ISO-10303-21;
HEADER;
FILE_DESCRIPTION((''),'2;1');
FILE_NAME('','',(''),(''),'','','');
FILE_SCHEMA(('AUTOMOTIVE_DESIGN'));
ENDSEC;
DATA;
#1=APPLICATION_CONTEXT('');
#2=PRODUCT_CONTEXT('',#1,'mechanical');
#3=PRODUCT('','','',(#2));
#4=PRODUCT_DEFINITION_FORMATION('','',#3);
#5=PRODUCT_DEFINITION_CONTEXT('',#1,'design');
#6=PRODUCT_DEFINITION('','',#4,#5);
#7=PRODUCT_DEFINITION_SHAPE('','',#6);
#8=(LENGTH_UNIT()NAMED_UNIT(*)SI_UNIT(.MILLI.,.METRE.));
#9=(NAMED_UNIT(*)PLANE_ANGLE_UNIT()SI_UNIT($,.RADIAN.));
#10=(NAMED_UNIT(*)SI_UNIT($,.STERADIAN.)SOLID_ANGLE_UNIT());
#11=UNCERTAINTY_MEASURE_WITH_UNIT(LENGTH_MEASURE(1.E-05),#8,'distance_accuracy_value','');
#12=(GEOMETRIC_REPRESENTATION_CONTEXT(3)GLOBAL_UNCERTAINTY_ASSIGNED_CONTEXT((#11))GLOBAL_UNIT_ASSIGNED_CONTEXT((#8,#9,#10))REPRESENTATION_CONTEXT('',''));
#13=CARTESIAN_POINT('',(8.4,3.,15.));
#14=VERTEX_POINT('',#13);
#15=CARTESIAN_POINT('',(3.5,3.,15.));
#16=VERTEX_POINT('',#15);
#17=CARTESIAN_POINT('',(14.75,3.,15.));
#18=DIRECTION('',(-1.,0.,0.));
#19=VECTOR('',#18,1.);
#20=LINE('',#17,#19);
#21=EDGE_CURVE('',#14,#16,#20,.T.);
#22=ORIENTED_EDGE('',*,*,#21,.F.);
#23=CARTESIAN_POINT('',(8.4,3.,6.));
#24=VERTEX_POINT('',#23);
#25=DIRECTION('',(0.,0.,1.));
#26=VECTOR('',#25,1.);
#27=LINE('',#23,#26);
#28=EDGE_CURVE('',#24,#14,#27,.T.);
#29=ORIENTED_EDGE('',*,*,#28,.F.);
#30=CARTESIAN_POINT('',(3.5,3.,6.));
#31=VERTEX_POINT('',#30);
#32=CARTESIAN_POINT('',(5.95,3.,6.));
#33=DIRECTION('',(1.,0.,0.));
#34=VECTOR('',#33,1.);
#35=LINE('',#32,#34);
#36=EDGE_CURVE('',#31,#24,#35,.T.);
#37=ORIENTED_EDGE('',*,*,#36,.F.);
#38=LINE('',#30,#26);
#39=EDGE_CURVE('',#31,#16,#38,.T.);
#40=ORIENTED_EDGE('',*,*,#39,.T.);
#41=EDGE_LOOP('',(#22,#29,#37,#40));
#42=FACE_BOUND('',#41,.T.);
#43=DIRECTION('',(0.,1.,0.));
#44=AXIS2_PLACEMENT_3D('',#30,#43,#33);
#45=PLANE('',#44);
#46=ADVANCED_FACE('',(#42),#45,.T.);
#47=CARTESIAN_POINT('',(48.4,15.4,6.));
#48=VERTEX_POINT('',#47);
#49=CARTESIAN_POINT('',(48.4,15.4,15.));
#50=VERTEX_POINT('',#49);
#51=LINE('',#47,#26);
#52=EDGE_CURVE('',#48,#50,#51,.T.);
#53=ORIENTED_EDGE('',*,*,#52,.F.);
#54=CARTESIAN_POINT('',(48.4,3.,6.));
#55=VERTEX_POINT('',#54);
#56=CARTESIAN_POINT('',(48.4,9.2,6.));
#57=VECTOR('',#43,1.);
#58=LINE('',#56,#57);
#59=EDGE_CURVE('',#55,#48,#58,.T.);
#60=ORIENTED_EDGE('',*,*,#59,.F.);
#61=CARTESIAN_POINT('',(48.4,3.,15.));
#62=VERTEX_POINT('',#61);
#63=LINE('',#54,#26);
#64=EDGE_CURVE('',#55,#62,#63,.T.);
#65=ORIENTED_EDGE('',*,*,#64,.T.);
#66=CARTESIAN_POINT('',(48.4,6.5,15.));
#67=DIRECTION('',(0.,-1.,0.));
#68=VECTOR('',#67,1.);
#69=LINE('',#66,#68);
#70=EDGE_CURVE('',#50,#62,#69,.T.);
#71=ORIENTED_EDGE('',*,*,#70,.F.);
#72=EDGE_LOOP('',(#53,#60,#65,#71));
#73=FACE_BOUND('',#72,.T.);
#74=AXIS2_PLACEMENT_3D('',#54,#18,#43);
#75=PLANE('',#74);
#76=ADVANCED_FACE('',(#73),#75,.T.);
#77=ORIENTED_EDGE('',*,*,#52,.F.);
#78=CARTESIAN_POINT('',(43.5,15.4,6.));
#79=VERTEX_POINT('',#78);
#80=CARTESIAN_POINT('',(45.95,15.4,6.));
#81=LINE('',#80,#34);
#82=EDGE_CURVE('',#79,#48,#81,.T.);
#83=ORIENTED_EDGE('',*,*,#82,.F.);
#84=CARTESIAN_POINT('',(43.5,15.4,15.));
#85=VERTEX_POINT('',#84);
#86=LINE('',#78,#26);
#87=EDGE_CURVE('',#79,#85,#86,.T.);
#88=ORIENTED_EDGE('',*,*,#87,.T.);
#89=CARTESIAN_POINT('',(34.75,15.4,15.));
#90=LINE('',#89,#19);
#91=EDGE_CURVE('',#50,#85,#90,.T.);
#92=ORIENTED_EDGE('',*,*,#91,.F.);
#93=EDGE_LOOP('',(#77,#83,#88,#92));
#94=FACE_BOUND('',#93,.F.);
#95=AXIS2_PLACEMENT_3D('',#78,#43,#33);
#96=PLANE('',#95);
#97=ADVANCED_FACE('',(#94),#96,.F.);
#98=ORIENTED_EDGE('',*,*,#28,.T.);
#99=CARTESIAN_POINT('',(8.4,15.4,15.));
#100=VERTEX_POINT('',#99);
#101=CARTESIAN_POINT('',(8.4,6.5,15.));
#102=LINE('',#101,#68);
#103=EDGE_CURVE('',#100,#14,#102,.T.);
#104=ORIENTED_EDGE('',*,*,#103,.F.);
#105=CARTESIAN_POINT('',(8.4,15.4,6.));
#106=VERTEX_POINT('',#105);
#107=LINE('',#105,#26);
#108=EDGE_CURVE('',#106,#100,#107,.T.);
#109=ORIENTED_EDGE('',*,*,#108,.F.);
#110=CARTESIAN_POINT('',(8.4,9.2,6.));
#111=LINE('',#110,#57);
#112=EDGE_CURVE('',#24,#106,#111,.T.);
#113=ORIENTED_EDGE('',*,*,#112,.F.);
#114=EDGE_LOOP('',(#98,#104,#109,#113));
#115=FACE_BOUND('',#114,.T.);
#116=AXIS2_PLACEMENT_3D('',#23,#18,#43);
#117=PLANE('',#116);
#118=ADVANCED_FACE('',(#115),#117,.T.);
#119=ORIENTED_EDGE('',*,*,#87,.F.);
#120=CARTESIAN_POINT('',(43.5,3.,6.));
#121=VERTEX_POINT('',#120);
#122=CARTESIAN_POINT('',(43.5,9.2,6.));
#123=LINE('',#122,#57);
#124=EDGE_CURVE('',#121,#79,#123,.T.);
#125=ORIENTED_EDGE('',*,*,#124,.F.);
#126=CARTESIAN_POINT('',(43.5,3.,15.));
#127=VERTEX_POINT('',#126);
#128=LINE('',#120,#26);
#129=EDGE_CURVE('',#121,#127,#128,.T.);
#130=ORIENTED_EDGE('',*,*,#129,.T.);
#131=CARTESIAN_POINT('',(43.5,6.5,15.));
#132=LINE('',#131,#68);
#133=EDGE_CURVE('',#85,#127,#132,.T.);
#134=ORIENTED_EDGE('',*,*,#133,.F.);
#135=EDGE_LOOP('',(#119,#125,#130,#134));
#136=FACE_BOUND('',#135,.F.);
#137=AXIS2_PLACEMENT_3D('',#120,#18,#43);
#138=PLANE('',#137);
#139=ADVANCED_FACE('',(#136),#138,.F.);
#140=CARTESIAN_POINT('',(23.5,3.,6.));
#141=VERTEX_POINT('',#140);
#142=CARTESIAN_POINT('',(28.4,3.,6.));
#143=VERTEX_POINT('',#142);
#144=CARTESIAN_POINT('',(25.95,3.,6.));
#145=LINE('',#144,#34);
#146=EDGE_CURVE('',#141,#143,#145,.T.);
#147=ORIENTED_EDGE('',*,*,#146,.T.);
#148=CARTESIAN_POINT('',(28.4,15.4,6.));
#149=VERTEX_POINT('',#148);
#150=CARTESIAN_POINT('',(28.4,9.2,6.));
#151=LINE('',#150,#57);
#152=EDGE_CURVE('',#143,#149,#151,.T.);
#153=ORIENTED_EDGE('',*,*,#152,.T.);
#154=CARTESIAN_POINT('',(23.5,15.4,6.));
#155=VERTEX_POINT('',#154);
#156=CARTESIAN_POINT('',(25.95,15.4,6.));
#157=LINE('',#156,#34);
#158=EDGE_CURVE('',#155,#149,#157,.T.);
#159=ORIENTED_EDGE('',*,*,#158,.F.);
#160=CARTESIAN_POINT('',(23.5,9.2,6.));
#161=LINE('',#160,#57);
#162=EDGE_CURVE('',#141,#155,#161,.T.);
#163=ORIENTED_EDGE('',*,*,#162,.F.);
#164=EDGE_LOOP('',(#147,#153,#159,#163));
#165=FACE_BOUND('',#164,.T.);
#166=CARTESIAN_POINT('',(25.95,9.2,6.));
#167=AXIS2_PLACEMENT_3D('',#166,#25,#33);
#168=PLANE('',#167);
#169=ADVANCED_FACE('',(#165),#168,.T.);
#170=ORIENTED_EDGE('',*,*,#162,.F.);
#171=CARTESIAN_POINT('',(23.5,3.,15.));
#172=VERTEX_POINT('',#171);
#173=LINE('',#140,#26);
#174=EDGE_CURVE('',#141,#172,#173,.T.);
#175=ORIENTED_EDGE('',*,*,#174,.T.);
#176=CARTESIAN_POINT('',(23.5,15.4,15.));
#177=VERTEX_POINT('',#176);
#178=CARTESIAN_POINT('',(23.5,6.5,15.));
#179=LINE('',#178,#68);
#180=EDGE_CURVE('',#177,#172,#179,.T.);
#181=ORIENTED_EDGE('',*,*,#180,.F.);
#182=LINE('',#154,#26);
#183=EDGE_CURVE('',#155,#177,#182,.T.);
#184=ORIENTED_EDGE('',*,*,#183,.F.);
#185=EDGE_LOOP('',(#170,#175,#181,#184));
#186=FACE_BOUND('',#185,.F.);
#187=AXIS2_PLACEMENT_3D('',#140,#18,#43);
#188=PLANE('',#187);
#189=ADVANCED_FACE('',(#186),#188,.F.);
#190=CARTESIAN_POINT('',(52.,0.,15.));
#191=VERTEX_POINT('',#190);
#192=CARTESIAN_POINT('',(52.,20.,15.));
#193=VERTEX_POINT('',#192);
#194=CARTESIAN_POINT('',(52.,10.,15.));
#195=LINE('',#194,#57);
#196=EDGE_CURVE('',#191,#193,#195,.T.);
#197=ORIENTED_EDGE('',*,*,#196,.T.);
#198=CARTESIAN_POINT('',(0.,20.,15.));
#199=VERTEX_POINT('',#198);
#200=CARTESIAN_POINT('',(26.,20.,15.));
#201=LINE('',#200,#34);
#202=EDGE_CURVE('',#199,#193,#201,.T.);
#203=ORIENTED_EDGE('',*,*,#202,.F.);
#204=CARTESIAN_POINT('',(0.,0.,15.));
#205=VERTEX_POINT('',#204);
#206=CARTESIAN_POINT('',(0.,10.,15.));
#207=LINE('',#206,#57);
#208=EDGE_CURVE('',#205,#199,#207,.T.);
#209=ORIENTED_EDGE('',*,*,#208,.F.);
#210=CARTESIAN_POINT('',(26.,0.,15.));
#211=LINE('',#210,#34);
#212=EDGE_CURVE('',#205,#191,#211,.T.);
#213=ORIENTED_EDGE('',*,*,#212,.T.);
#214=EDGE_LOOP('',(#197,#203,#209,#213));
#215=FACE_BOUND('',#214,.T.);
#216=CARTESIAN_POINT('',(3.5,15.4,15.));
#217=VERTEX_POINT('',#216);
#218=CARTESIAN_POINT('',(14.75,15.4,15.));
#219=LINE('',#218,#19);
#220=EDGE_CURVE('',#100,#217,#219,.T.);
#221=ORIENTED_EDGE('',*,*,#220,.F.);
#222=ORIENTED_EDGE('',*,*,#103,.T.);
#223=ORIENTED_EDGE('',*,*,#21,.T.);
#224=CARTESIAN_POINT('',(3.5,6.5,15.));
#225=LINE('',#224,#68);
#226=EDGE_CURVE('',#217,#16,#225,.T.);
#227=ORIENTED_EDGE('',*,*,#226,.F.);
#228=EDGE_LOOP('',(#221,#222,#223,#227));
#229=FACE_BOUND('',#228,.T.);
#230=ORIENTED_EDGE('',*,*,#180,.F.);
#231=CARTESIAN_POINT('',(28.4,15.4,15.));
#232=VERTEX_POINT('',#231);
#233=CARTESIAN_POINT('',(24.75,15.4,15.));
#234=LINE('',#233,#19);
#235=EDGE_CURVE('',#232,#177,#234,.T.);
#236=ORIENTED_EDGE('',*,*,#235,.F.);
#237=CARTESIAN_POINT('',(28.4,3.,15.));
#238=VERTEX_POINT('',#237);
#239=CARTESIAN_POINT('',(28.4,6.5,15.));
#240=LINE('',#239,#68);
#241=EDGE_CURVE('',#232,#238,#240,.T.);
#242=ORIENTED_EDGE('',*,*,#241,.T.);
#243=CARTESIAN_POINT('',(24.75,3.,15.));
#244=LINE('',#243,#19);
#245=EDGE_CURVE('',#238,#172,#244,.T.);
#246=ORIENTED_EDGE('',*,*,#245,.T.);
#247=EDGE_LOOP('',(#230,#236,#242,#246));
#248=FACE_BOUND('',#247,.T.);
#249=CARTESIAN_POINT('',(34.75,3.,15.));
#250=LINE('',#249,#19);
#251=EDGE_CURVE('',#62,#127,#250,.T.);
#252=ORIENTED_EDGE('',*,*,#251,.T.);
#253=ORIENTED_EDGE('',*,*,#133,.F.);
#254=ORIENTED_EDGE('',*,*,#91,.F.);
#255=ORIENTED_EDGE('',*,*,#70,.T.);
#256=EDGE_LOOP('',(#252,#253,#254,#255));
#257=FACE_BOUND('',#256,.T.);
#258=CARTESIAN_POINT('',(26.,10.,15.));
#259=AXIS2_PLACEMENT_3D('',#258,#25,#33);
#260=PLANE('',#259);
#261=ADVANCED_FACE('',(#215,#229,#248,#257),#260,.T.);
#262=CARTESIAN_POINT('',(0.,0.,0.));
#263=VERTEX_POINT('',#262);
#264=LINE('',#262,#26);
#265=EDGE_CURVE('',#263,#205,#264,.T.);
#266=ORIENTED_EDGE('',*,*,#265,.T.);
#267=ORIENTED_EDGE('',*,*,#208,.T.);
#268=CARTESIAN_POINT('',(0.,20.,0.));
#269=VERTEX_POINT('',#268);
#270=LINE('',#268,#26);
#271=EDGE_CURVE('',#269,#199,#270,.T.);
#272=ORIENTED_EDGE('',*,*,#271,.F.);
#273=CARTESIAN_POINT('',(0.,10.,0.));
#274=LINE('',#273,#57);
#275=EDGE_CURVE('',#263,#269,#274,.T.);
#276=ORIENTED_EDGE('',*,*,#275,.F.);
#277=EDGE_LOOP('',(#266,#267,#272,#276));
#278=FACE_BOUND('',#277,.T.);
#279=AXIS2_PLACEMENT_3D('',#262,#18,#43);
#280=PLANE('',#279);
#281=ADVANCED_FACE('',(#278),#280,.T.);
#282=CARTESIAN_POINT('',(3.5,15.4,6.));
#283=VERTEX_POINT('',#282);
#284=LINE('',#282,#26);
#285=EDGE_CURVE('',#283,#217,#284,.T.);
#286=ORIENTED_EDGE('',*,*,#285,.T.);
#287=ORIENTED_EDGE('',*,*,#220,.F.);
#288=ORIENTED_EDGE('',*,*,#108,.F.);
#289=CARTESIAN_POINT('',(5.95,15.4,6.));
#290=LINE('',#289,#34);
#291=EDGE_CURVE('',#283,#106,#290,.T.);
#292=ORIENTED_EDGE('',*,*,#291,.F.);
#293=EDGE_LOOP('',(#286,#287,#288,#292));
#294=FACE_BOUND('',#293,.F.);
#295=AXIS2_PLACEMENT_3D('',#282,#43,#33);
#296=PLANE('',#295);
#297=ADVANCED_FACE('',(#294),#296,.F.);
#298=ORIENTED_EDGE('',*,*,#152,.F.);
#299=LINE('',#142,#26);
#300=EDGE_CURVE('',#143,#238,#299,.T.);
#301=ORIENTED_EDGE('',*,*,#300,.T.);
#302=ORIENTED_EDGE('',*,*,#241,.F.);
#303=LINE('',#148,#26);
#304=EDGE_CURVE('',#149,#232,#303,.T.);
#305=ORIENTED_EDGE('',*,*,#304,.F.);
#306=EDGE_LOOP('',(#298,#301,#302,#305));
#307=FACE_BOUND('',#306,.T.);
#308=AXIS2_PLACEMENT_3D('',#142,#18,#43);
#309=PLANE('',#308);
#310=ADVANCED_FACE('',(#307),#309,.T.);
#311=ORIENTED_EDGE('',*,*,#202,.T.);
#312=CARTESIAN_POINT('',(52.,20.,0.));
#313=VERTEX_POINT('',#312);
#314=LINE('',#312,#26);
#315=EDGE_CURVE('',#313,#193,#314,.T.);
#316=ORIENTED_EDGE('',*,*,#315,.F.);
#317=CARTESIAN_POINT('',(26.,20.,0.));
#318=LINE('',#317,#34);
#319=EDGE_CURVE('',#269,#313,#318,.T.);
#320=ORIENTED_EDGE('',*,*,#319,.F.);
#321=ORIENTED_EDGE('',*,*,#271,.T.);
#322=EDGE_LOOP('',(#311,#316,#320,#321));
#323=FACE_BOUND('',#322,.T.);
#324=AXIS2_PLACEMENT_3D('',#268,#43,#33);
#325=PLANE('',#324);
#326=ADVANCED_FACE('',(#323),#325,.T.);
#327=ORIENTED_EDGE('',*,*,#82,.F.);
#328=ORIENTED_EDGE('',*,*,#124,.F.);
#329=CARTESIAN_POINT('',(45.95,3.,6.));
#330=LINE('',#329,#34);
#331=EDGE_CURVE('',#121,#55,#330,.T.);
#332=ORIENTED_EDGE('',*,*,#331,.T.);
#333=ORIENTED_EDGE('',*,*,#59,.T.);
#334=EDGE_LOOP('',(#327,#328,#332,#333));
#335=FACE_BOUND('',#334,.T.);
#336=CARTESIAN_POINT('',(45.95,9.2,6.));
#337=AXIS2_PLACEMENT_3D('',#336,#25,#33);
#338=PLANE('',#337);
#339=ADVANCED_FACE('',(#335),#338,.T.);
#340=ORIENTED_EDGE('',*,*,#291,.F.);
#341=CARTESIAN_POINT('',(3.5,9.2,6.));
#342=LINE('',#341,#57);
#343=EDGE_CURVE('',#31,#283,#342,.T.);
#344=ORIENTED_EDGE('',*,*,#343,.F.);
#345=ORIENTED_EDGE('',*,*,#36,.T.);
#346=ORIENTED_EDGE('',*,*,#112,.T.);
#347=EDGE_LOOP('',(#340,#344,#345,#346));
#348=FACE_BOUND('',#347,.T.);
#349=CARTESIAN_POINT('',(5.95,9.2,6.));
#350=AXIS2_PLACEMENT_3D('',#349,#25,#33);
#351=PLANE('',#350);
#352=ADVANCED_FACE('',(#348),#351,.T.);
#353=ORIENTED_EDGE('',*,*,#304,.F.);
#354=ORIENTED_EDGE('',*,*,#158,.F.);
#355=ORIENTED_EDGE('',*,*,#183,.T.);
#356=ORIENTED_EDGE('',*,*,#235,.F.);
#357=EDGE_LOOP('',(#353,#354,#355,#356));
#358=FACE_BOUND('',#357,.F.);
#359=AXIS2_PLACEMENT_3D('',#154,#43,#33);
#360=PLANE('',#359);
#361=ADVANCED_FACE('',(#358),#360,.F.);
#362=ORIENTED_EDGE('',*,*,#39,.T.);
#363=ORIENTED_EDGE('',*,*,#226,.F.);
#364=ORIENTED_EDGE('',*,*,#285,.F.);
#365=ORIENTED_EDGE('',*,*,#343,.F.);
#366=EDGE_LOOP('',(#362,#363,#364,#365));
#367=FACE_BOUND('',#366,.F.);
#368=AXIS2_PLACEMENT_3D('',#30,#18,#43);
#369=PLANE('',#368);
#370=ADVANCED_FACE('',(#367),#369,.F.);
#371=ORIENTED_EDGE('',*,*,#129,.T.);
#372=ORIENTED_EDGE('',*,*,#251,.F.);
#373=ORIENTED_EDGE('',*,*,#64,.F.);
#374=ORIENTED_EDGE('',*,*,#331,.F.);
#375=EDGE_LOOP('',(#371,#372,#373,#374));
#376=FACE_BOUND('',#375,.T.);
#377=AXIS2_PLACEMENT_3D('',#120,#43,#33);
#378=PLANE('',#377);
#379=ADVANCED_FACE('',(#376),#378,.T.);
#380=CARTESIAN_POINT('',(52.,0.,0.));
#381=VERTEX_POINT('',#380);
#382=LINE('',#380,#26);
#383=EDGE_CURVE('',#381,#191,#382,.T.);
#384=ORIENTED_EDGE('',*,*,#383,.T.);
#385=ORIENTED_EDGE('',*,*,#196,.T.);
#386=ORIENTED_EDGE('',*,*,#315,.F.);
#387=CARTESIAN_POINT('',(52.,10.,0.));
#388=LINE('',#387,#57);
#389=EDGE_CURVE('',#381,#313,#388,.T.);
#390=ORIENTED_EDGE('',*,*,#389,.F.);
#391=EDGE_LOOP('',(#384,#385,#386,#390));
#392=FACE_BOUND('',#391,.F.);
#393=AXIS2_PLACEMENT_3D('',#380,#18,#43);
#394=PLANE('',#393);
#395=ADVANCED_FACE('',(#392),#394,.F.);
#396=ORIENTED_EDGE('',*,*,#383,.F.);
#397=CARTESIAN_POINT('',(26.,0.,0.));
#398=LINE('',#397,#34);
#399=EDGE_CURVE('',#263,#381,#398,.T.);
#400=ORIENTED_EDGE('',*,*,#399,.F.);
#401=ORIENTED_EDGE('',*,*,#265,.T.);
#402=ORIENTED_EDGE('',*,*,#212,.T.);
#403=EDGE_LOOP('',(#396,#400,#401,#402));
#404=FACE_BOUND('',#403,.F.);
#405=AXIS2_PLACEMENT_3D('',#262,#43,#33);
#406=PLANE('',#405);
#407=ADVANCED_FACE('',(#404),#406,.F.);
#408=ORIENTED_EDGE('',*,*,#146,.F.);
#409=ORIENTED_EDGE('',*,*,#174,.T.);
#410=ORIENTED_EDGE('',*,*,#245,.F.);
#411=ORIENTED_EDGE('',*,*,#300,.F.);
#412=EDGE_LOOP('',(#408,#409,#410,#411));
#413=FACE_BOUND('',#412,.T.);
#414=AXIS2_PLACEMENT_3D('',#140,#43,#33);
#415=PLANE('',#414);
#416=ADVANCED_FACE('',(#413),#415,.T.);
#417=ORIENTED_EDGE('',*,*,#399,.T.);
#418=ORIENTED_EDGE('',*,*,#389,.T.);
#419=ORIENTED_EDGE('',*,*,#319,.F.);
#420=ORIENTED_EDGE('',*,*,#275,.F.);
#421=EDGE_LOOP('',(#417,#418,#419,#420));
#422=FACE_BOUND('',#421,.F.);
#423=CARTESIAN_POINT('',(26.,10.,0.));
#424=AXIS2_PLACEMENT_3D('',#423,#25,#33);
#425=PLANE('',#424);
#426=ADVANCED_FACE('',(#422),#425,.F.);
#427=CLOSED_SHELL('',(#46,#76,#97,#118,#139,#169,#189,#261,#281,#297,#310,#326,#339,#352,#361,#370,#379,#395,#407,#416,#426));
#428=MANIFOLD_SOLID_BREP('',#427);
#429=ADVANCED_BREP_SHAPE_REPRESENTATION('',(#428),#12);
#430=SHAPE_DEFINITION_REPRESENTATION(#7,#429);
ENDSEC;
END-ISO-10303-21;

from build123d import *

# Parameters (mm, degrees)
BOX003_W     = 4.9
BOX003_H     = 12.4
BOX003_DEPTH = 10
BOX002_W     = 4.9
BOX002_H     = 12.4
BOX002_DEPTH = 10
BOX001_W     = 4.9
BOX001_H     = 12.4
BOX001_DEPTH = 10
BOX_W        = 52
BOX_H        = 20
BOX_DEPTH    = 15


with BuildPart() as cube003:
    # Box003 → Box003 (new body)
    with BuildSketch(Plane(origin=(43.5, 3, 6), x_dir=(1, 0, 0), z_dir=(0, 0, 1))):
        with Locations((2.45, 6.2)):
            Rectangle(BOX003_W, BOX003_H)
    extrude(amount=BOX003_DEPTH)


with BuildPart() as cube002:
    # Box002 → Box002 (new body)
    with BuildSketch(Plane(origin=(23.5, 3, 6), x_dir=(1, 0, 0), z_dir=(0, 0, 1))):
        with Locations((2.45, 6.2)):
            Rectangle(BOX002_W, BOX002_H)
    extrude(amount=BOX002_DEPTH)


with BuildPart() as cube001:
    # Box001 → Box001 (new body)
    with BuildSketch(Plane(origin=(3.5, 3, 6), x_dir=(1, 0, 0), z_dir=(0, 0, 1))):
        with Locations((2.45, 6.2)):
            Rectangle(BOX001_W, BOX001_H)
    extrude(amount=BOX001_DEPTH)


with BuildPart() as cut002:
    # Box → Box (new body)
    with BuildSketch(Plane.XY):
        with Locations((26, 10)):
            Rectangle(BOX_W, BOX_H)
    extrude(amount=BOX_DEPTH)

    # Cut: cut Cube001
    add(cube001.part, mode=Mode.SUBTRACT)

    # Cut001: cut Cube002
    add(cube002.part, mode=Mode.SUBTRACT)

    # Cut002: cut Cube003
    add(cube003.part, mode=Mode.SUBTRACT)


solid = cut002.part
